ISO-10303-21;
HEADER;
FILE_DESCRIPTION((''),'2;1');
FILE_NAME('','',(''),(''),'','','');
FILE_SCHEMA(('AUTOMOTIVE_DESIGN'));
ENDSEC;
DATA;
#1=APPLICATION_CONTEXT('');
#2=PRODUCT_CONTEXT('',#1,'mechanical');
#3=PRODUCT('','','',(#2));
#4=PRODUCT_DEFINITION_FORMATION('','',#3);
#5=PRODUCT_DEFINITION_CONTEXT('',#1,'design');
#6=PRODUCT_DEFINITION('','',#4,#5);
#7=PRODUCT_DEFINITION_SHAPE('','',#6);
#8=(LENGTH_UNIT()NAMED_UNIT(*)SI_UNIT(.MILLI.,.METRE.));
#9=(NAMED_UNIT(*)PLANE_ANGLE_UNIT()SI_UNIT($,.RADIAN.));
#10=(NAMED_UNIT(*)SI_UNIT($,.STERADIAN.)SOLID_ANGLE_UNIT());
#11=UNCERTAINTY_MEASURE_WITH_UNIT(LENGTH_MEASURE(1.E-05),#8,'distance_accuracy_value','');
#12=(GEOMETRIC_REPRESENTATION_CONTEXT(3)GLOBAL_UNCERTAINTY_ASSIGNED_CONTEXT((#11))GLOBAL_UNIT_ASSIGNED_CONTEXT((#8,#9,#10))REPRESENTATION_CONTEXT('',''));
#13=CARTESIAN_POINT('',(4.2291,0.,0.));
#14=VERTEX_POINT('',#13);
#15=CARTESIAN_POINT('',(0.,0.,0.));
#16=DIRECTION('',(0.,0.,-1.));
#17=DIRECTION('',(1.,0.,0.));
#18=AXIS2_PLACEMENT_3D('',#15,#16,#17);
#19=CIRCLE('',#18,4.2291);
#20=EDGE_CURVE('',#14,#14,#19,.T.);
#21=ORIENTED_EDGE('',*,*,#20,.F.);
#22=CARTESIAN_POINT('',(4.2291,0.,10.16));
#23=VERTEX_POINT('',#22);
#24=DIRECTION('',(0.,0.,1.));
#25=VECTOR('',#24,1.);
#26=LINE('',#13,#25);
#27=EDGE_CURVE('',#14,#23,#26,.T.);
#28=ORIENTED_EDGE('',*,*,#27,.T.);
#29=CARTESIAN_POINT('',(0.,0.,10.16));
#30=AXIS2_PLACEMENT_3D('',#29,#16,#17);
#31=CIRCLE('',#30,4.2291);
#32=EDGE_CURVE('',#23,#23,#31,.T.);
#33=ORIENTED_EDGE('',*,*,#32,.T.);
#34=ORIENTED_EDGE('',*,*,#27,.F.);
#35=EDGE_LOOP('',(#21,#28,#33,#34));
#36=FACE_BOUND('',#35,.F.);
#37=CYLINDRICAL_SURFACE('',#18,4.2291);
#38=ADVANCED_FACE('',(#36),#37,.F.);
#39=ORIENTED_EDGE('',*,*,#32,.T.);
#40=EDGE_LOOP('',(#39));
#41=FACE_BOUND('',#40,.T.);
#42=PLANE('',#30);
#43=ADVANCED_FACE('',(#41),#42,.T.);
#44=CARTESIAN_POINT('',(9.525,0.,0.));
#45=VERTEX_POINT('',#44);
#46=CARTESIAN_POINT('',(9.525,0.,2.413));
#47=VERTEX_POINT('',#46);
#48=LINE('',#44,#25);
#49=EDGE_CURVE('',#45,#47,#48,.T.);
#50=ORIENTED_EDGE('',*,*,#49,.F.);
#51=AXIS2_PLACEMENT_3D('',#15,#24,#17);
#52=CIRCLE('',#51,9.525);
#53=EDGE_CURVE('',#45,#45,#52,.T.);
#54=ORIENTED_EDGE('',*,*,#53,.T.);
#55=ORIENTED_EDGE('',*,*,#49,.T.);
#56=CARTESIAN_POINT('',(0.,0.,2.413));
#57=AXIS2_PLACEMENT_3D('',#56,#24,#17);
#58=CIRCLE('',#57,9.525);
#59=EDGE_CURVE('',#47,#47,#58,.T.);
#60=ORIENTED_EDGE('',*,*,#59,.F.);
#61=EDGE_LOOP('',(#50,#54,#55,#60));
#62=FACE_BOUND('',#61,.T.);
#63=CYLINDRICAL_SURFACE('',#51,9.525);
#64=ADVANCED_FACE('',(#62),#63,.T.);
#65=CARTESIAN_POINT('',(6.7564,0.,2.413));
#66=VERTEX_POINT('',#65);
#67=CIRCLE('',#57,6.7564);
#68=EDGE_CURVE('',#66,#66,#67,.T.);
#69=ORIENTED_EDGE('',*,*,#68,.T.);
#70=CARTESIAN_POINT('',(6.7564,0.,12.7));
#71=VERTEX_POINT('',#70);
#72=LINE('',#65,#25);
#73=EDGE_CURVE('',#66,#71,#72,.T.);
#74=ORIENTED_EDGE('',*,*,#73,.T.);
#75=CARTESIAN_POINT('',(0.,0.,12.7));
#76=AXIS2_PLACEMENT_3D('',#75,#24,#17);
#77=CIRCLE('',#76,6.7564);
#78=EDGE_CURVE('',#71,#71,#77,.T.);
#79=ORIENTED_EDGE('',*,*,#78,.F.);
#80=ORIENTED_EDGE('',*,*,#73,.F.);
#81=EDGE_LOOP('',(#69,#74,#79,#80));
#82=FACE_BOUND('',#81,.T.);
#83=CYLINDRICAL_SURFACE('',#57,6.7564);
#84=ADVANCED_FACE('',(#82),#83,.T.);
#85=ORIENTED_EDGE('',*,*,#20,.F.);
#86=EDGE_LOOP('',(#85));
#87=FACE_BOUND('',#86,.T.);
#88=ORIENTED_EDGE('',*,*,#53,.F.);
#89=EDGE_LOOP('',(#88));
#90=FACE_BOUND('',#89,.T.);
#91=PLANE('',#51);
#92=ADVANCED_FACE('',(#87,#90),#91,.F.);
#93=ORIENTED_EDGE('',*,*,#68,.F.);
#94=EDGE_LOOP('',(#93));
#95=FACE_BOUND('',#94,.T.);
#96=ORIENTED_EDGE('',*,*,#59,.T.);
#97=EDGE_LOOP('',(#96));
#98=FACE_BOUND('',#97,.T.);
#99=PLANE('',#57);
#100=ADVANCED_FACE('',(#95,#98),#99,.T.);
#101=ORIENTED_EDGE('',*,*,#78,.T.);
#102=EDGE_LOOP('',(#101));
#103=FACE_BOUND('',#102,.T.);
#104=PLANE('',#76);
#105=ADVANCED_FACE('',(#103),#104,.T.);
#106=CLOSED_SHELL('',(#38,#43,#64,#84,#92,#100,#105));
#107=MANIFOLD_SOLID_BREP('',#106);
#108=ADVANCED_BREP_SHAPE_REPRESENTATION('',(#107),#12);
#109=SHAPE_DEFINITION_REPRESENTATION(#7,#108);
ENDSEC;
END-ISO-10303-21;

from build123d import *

# Parameters (mm, degrees)
F2_R     = 4.2291
F3_DEPTH = 10.16


with BuildPart() as f1:
    # F0 (on Front) → F1 (revolve)
    with BuildSketch(Plane.XZ):
        Polygon((6.7564, 12.7), (0, 12.7), (0, 0), (9.525, 0), (9.525, 2.413), (6.7564, 2.413), align=None)
    revolve(axis=Axis((0, 0, 6.35), (0, 0, 1)))

    # F2 (on face) → F3 (cut)
    with BuildSketch(Plane(origin=(0, 0, 0), x_dir=(1, 0, 0), z_dir=(0, 0, -1))):
        Circle(F2_R)
    extrude(amount=-F3_DEPTH, mode=Mode.SUBTRACT)


solid = f1.part
